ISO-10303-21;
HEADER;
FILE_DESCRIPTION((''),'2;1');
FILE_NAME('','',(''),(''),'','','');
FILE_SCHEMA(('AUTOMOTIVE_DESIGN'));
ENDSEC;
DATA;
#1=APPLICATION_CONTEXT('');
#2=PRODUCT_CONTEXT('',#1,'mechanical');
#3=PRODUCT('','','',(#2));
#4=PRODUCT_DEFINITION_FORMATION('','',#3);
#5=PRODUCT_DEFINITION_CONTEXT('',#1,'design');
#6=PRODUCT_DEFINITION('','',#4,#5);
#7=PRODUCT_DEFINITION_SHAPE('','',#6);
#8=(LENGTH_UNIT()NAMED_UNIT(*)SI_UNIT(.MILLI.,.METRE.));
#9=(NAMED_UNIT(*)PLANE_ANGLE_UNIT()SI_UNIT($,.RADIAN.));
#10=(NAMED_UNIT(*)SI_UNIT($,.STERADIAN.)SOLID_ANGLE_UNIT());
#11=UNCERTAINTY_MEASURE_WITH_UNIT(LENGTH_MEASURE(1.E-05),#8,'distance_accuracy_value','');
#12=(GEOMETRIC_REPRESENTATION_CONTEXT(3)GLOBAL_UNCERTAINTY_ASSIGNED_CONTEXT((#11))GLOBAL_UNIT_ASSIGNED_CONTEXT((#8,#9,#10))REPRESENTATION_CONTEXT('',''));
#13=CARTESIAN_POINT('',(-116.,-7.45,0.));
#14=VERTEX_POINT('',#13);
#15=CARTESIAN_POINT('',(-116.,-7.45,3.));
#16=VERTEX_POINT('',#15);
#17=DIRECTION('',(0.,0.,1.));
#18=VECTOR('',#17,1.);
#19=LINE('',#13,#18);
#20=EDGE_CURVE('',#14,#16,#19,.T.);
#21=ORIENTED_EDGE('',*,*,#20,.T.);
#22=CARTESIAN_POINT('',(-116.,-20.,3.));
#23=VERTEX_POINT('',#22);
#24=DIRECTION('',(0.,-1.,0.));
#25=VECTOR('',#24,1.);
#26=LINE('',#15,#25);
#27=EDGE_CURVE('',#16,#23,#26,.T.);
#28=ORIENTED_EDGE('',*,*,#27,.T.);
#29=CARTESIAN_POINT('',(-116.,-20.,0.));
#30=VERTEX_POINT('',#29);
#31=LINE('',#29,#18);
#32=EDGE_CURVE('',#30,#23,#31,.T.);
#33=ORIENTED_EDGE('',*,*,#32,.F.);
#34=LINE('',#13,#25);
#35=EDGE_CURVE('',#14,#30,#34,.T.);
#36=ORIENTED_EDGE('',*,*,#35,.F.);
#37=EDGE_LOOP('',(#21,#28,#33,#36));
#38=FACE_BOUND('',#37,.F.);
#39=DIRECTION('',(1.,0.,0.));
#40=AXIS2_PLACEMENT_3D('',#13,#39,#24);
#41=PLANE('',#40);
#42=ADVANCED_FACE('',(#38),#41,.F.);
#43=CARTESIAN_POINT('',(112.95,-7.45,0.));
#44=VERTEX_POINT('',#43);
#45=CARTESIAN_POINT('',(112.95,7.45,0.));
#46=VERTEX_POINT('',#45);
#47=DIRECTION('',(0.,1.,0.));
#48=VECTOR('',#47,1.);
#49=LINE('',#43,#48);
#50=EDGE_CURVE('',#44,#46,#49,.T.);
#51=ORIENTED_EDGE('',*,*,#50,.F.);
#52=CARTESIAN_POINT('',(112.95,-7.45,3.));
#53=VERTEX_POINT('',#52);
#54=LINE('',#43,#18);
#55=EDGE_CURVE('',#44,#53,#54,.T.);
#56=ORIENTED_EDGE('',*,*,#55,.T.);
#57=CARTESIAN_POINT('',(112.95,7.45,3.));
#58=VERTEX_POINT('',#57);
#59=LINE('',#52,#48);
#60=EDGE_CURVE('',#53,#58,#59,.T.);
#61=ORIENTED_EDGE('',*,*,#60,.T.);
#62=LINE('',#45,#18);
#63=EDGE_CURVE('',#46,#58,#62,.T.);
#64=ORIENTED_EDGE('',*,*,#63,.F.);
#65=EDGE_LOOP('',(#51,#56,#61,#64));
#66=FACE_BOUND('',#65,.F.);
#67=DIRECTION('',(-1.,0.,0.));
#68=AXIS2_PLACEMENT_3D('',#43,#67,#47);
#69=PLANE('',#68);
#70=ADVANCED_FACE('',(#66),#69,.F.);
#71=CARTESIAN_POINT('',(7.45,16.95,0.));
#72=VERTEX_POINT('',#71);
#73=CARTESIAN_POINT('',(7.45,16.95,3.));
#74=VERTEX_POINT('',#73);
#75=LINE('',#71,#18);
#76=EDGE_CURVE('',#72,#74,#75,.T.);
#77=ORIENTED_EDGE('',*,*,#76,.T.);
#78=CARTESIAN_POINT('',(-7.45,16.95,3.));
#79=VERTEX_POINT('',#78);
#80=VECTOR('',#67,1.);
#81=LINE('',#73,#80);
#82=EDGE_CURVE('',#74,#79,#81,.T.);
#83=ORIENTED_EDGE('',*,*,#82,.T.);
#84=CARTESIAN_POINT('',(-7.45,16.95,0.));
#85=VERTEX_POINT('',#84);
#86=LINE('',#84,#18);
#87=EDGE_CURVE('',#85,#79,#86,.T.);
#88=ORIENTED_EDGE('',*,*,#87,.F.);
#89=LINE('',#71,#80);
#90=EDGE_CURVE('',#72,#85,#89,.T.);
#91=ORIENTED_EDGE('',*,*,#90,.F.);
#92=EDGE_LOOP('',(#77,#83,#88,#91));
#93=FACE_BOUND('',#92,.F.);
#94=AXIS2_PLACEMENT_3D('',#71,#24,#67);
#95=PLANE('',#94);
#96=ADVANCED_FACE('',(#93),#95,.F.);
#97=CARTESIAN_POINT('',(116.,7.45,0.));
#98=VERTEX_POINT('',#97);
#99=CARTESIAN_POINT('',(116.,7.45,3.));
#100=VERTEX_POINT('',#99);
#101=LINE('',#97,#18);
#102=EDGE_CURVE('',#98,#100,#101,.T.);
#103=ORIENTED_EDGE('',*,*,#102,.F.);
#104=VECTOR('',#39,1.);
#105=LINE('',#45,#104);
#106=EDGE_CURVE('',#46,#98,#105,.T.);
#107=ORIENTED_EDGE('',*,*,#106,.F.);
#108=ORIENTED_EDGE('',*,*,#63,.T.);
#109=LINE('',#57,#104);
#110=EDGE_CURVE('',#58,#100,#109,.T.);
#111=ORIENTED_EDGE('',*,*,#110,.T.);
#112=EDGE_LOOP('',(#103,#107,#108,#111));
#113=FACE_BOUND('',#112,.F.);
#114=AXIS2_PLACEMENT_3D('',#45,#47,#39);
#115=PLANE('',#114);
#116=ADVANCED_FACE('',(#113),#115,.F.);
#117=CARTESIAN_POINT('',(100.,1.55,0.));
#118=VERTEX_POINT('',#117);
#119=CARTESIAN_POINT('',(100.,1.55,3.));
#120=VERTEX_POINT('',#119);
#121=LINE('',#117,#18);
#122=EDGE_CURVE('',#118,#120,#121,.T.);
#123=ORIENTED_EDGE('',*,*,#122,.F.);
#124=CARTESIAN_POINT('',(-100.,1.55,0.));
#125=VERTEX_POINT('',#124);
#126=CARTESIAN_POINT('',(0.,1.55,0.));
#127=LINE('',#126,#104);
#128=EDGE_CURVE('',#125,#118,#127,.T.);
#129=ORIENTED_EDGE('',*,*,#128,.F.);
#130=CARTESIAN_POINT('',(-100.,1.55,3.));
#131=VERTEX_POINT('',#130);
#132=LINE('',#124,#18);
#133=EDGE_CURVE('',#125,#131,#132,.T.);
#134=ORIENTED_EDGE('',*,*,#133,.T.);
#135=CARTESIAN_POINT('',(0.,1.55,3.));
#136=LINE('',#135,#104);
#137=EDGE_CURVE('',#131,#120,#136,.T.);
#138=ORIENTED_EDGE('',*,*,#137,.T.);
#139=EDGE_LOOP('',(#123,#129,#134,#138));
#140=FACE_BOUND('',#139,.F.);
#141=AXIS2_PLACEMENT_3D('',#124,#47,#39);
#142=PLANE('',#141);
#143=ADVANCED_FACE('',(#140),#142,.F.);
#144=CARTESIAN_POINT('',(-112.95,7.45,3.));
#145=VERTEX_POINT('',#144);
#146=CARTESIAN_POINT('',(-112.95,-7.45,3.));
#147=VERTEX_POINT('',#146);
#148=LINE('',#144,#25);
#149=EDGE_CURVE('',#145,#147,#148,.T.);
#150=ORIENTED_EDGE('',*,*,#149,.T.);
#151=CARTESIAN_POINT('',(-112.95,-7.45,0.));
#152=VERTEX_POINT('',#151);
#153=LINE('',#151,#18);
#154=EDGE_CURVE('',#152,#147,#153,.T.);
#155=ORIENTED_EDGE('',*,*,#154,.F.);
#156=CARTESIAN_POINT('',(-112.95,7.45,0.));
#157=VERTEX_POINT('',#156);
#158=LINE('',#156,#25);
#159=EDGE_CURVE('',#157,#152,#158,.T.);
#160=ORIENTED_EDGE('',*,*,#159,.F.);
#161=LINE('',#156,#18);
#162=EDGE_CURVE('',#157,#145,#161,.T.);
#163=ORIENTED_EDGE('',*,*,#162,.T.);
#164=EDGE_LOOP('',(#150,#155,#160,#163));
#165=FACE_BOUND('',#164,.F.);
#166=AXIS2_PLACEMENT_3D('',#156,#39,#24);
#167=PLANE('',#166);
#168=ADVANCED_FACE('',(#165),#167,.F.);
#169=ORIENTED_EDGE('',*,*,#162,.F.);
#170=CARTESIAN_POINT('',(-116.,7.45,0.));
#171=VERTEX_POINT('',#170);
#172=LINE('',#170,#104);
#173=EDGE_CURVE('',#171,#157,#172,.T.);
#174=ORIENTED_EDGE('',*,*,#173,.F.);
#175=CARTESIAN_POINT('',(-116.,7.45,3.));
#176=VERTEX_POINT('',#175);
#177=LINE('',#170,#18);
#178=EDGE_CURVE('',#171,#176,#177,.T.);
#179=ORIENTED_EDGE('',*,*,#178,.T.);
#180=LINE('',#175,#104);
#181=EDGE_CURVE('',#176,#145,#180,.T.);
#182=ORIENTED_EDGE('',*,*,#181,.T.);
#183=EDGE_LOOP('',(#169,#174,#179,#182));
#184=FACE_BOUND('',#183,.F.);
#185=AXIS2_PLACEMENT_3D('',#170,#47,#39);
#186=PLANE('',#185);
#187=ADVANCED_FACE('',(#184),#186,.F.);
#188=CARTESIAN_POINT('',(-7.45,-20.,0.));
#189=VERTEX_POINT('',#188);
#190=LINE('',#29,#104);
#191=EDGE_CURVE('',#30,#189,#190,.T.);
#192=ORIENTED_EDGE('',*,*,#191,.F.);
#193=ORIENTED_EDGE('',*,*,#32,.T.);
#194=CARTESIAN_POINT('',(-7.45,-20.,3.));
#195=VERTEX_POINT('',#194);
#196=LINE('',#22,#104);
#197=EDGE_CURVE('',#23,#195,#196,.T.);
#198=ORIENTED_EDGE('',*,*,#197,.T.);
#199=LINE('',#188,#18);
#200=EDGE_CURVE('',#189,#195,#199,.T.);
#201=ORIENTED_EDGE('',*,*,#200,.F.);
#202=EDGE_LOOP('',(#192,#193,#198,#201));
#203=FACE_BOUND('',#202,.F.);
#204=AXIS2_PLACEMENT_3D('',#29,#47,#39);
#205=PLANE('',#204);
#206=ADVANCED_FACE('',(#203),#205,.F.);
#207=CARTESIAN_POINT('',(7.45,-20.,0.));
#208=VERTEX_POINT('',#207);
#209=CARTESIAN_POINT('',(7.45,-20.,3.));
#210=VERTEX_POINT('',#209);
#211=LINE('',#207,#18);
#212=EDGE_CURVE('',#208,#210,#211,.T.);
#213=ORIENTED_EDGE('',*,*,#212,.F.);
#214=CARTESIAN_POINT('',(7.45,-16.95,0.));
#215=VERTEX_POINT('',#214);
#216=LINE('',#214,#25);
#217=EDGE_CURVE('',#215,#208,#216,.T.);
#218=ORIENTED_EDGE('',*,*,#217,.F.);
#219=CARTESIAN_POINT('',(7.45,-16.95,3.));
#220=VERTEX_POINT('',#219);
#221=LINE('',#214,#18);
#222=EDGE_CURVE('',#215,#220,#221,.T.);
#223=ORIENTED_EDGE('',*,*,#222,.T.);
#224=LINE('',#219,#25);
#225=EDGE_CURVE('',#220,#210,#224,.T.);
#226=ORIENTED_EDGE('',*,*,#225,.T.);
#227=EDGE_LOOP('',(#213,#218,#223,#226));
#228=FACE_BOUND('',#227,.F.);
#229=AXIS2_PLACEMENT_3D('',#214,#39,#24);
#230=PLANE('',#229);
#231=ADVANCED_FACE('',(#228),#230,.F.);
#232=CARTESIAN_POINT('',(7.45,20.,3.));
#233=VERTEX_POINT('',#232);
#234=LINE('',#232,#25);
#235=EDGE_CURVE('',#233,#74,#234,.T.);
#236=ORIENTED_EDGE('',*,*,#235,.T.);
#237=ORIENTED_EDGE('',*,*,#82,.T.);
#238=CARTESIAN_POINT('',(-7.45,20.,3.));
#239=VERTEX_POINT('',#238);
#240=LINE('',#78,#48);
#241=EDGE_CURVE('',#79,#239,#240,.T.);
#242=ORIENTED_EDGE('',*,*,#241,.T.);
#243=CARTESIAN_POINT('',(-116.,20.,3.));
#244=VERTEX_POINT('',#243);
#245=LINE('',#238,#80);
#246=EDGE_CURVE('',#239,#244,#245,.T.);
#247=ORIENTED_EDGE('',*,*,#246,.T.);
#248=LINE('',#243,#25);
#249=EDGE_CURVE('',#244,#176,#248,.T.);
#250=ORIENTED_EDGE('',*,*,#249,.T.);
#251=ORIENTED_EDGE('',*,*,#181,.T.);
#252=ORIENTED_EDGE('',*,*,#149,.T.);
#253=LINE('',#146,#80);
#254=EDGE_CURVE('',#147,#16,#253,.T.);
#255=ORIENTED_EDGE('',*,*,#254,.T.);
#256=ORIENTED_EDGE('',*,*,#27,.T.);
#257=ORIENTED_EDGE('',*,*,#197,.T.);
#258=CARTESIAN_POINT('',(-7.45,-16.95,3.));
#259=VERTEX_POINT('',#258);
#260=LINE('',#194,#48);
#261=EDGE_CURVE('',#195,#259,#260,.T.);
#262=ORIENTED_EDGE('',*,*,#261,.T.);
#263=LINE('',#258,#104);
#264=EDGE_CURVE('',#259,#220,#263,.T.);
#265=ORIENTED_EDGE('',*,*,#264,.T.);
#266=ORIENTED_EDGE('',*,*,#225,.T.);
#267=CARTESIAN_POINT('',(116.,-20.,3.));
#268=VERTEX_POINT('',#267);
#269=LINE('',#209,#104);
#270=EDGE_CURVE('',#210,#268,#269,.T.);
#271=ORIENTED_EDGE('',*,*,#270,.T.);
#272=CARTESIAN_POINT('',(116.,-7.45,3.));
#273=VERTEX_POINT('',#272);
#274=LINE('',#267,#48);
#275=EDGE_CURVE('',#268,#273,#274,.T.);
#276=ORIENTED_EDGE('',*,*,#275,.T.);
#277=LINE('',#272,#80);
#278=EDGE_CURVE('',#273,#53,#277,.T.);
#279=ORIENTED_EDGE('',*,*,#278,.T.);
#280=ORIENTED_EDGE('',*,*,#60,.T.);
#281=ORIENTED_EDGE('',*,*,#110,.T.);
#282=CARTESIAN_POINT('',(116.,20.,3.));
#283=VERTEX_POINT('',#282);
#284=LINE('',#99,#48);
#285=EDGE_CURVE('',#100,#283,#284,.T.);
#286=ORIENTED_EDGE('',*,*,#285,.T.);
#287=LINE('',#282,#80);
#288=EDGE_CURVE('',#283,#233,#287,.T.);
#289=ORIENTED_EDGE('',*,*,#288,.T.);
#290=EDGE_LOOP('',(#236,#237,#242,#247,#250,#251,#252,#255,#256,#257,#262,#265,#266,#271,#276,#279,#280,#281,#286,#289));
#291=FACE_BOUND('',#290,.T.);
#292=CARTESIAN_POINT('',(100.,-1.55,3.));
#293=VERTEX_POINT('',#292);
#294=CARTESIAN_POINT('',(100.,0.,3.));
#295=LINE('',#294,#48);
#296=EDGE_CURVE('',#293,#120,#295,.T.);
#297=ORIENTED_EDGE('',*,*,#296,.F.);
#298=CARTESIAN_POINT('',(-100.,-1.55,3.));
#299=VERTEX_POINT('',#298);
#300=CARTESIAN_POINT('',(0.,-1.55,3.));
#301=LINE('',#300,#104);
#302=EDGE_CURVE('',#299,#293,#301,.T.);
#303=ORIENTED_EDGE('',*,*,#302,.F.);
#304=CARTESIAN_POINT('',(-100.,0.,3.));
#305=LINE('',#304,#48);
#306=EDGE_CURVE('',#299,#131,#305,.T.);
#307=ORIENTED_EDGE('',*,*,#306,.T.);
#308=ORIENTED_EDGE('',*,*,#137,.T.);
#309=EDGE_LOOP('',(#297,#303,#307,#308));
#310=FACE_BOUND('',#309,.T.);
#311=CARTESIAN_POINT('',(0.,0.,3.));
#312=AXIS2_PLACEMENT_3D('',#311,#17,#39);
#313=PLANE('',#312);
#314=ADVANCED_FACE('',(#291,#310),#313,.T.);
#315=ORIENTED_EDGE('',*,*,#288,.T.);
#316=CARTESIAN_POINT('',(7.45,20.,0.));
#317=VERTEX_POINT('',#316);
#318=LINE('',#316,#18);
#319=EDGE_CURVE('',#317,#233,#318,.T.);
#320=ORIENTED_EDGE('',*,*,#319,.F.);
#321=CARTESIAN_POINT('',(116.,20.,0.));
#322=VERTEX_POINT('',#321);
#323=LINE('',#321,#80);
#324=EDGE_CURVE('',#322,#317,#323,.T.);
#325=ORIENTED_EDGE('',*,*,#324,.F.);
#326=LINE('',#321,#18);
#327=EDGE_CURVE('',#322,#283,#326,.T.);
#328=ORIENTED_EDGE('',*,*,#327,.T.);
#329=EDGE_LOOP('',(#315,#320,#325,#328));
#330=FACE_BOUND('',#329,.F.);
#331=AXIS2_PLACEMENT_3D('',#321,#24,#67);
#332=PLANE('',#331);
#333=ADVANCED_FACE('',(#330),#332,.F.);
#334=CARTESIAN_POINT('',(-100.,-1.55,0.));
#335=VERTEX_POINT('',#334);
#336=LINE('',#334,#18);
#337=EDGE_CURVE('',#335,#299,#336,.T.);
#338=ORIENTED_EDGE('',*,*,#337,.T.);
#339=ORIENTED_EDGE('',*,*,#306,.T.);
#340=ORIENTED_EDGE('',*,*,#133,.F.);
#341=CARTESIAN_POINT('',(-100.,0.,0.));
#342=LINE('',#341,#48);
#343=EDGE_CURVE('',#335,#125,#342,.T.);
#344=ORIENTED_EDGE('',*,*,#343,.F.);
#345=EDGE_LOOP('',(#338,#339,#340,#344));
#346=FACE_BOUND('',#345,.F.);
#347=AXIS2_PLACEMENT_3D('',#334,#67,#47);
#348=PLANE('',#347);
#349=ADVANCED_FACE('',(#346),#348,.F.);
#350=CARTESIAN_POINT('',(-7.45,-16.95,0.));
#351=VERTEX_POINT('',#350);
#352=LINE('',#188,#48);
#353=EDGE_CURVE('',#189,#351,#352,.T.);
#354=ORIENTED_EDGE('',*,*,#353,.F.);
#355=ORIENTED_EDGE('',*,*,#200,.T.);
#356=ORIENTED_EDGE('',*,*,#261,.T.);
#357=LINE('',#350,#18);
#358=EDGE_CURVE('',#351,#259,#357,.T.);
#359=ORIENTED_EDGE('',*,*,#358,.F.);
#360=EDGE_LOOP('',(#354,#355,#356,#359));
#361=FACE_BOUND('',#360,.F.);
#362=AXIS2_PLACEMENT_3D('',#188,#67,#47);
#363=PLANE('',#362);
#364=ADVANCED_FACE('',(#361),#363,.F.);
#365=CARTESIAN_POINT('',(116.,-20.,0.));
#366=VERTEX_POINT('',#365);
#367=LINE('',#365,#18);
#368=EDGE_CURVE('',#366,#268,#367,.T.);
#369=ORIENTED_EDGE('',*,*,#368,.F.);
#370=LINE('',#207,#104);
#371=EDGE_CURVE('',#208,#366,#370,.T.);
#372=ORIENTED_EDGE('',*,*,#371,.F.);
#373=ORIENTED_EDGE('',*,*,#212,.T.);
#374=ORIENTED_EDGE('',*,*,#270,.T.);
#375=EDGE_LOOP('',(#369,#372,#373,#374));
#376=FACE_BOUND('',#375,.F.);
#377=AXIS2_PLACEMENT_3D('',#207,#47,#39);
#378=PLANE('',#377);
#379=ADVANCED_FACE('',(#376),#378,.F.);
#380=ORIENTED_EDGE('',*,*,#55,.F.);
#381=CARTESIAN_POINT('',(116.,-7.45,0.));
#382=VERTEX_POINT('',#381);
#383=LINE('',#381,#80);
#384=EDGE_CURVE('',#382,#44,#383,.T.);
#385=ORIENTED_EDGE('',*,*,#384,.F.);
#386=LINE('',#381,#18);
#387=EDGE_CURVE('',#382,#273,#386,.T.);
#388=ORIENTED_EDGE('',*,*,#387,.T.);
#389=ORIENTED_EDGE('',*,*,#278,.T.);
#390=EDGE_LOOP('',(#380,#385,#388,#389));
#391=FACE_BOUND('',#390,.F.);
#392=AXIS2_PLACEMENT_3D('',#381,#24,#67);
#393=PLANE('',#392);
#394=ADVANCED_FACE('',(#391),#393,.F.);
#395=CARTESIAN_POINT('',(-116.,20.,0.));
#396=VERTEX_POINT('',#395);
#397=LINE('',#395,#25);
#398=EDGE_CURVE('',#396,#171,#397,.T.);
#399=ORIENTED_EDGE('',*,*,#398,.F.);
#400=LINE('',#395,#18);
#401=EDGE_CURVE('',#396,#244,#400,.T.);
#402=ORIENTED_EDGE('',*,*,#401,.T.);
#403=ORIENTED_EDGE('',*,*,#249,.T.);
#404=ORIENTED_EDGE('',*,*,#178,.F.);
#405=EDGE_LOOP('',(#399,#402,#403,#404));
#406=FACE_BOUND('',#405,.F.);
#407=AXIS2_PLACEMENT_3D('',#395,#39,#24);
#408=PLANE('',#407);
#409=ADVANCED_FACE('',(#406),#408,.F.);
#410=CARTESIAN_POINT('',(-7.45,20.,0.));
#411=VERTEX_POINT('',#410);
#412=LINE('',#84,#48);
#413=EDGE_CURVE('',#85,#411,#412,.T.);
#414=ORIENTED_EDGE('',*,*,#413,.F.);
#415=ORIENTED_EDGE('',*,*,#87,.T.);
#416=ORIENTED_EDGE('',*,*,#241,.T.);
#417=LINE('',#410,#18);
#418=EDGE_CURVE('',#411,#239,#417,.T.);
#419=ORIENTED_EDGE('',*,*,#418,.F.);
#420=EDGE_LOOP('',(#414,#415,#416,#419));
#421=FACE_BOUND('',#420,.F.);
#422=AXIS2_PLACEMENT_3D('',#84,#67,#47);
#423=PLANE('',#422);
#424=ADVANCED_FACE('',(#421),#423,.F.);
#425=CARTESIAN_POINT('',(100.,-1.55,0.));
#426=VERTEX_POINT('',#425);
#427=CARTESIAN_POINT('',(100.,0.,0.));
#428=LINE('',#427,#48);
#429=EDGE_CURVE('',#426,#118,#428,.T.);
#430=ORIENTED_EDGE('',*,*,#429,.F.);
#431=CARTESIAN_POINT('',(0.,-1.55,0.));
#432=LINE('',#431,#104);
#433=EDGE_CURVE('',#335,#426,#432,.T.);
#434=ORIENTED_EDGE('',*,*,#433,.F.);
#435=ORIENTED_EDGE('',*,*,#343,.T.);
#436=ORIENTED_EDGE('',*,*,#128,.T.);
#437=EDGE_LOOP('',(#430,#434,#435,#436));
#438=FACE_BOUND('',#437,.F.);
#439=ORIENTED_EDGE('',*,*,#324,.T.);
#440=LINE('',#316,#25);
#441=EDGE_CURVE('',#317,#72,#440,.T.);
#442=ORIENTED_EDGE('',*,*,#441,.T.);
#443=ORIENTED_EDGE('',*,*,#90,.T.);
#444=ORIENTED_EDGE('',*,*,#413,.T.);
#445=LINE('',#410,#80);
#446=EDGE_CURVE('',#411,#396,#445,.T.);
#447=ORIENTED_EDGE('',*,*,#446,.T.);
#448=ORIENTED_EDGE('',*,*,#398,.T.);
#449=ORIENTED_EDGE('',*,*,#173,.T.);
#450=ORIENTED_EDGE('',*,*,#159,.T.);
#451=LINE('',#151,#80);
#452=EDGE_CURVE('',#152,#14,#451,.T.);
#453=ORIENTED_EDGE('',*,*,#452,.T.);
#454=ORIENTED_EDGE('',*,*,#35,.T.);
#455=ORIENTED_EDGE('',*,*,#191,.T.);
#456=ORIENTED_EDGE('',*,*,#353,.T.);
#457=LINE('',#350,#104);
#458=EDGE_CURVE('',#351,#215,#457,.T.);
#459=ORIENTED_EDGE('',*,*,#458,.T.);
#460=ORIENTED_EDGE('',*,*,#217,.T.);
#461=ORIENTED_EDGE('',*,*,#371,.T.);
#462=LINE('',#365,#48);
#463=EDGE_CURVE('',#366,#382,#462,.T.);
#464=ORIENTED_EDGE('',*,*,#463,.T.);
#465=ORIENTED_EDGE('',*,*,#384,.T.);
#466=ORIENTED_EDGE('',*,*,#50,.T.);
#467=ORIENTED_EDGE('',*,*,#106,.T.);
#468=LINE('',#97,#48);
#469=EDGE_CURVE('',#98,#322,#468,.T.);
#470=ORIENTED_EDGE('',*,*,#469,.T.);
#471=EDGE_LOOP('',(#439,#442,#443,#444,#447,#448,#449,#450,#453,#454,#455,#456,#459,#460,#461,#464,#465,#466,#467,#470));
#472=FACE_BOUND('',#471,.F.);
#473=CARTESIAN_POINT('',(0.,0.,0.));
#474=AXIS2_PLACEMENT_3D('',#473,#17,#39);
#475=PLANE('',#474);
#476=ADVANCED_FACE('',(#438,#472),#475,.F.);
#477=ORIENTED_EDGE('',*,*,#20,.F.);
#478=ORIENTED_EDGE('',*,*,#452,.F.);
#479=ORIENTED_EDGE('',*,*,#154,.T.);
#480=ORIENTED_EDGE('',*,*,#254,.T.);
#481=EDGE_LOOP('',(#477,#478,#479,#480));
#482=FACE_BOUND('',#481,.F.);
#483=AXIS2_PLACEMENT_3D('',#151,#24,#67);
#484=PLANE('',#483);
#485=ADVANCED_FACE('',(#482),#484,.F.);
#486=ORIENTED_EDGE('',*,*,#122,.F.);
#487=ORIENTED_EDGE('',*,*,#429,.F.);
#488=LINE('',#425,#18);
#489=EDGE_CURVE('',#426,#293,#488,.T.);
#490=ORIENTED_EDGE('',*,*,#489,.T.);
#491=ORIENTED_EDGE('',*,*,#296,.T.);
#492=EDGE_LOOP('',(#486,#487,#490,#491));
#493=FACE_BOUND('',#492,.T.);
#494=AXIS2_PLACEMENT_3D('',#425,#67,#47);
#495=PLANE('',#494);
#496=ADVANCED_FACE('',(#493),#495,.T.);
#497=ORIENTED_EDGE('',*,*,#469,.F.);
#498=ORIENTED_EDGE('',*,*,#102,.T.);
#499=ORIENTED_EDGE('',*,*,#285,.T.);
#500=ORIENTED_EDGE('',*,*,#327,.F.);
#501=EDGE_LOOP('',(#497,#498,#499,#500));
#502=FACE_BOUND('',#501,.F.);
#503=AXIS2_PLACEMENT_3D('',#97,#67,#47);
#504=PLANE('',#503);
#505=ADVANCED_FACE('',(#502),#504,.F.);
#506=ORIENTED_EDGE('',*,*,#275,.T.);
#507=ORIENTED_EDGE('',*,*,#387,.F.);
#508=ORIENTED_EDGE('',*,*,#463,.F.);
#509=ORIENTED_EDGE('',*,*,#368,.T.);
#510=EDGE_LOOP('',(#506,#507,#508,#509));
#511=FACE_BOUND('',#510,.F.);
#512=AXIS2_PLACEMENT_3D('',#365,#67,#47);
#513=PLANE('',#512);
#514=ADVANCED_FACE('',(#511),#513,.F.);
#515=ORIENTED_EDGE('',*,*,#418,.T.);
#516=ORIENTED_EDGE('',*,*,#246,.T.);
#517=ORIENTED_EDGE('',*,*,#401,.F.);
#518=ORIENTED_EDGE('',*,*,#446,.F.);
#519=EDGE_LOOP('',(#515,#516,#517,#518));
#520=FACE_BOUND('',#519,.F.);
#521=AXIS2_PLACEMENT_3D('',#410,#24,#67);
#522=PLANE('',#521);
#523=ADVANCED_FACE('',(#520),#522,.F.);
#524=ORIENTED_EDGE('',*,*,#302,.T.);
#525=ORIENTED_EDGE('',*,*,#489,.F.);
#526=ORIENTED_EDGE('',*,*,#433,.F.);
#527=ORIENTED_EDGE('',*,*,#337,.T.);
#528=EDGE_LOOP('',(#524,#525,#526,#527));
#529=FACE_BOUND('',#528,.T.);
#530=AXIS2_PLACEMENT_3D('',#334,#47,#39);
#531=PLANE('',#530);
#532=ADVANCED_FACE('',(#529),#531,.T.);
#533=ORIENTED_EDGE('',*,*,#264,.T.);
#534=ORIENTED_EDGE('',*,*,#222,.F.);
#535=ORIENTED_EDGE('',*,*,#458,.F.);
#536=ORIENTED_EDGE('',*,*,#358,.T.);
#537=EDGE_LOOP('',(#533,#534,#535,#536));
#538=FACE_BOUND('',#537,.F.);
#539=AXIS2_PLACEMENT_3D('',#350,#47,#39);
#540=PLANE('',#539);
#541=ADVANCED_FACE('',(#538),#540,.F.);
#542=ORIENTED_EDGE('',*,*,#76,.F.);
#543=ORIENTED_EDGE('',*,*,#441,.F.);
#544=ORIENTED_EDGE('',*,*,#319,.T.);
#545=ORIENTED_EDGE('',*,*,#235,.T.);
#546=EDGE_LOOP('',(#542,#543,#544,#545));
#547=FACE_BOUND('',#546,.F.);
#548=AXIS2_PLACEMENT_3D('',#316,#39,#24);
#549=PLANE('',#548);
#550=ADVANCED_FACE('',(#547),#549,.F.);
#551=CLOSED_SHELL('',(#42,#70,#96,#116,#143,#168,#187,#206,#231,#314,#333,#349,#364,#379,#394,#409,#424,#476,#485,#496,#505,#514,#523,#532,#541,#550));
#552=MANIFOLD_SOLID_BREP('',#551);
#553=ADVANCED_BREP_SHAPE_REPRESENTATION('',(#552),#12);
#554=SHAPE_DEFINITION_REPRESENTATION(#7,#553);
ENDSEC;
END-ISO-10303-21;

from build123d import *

# Parameters (mm, degrees)
F0_W     = 200
F0_H     = 3.1
F1_DEPTH = 3


with BuildPart() as f1:
    # F0 (on Top) → F1 (new body)
    with BuildSketch(Plane.XY):
        Polygon((7.45, -20), (116, -20), (116, -7.45), (112.95, -7.45), (112.95, 7.45), (116, 7.45), (116, 20), (7.45, 20), (7.45, 16.95), (-7.45, 16.95), (-7.45, 20), (-116, 20), (-116, 7.45), (-112.95, 7.45), (-112.95, -7.45), (-116, -7.45), (-116, -20), (-7.45, -20), (-7.45, -16.95), (7.45, -16.95), align=None)
        Rectangle(F0_W, F0_H, mode=Mode.SUBTRACT)
    extrude(amount=F1_DEPTH)


solid = f1.part
